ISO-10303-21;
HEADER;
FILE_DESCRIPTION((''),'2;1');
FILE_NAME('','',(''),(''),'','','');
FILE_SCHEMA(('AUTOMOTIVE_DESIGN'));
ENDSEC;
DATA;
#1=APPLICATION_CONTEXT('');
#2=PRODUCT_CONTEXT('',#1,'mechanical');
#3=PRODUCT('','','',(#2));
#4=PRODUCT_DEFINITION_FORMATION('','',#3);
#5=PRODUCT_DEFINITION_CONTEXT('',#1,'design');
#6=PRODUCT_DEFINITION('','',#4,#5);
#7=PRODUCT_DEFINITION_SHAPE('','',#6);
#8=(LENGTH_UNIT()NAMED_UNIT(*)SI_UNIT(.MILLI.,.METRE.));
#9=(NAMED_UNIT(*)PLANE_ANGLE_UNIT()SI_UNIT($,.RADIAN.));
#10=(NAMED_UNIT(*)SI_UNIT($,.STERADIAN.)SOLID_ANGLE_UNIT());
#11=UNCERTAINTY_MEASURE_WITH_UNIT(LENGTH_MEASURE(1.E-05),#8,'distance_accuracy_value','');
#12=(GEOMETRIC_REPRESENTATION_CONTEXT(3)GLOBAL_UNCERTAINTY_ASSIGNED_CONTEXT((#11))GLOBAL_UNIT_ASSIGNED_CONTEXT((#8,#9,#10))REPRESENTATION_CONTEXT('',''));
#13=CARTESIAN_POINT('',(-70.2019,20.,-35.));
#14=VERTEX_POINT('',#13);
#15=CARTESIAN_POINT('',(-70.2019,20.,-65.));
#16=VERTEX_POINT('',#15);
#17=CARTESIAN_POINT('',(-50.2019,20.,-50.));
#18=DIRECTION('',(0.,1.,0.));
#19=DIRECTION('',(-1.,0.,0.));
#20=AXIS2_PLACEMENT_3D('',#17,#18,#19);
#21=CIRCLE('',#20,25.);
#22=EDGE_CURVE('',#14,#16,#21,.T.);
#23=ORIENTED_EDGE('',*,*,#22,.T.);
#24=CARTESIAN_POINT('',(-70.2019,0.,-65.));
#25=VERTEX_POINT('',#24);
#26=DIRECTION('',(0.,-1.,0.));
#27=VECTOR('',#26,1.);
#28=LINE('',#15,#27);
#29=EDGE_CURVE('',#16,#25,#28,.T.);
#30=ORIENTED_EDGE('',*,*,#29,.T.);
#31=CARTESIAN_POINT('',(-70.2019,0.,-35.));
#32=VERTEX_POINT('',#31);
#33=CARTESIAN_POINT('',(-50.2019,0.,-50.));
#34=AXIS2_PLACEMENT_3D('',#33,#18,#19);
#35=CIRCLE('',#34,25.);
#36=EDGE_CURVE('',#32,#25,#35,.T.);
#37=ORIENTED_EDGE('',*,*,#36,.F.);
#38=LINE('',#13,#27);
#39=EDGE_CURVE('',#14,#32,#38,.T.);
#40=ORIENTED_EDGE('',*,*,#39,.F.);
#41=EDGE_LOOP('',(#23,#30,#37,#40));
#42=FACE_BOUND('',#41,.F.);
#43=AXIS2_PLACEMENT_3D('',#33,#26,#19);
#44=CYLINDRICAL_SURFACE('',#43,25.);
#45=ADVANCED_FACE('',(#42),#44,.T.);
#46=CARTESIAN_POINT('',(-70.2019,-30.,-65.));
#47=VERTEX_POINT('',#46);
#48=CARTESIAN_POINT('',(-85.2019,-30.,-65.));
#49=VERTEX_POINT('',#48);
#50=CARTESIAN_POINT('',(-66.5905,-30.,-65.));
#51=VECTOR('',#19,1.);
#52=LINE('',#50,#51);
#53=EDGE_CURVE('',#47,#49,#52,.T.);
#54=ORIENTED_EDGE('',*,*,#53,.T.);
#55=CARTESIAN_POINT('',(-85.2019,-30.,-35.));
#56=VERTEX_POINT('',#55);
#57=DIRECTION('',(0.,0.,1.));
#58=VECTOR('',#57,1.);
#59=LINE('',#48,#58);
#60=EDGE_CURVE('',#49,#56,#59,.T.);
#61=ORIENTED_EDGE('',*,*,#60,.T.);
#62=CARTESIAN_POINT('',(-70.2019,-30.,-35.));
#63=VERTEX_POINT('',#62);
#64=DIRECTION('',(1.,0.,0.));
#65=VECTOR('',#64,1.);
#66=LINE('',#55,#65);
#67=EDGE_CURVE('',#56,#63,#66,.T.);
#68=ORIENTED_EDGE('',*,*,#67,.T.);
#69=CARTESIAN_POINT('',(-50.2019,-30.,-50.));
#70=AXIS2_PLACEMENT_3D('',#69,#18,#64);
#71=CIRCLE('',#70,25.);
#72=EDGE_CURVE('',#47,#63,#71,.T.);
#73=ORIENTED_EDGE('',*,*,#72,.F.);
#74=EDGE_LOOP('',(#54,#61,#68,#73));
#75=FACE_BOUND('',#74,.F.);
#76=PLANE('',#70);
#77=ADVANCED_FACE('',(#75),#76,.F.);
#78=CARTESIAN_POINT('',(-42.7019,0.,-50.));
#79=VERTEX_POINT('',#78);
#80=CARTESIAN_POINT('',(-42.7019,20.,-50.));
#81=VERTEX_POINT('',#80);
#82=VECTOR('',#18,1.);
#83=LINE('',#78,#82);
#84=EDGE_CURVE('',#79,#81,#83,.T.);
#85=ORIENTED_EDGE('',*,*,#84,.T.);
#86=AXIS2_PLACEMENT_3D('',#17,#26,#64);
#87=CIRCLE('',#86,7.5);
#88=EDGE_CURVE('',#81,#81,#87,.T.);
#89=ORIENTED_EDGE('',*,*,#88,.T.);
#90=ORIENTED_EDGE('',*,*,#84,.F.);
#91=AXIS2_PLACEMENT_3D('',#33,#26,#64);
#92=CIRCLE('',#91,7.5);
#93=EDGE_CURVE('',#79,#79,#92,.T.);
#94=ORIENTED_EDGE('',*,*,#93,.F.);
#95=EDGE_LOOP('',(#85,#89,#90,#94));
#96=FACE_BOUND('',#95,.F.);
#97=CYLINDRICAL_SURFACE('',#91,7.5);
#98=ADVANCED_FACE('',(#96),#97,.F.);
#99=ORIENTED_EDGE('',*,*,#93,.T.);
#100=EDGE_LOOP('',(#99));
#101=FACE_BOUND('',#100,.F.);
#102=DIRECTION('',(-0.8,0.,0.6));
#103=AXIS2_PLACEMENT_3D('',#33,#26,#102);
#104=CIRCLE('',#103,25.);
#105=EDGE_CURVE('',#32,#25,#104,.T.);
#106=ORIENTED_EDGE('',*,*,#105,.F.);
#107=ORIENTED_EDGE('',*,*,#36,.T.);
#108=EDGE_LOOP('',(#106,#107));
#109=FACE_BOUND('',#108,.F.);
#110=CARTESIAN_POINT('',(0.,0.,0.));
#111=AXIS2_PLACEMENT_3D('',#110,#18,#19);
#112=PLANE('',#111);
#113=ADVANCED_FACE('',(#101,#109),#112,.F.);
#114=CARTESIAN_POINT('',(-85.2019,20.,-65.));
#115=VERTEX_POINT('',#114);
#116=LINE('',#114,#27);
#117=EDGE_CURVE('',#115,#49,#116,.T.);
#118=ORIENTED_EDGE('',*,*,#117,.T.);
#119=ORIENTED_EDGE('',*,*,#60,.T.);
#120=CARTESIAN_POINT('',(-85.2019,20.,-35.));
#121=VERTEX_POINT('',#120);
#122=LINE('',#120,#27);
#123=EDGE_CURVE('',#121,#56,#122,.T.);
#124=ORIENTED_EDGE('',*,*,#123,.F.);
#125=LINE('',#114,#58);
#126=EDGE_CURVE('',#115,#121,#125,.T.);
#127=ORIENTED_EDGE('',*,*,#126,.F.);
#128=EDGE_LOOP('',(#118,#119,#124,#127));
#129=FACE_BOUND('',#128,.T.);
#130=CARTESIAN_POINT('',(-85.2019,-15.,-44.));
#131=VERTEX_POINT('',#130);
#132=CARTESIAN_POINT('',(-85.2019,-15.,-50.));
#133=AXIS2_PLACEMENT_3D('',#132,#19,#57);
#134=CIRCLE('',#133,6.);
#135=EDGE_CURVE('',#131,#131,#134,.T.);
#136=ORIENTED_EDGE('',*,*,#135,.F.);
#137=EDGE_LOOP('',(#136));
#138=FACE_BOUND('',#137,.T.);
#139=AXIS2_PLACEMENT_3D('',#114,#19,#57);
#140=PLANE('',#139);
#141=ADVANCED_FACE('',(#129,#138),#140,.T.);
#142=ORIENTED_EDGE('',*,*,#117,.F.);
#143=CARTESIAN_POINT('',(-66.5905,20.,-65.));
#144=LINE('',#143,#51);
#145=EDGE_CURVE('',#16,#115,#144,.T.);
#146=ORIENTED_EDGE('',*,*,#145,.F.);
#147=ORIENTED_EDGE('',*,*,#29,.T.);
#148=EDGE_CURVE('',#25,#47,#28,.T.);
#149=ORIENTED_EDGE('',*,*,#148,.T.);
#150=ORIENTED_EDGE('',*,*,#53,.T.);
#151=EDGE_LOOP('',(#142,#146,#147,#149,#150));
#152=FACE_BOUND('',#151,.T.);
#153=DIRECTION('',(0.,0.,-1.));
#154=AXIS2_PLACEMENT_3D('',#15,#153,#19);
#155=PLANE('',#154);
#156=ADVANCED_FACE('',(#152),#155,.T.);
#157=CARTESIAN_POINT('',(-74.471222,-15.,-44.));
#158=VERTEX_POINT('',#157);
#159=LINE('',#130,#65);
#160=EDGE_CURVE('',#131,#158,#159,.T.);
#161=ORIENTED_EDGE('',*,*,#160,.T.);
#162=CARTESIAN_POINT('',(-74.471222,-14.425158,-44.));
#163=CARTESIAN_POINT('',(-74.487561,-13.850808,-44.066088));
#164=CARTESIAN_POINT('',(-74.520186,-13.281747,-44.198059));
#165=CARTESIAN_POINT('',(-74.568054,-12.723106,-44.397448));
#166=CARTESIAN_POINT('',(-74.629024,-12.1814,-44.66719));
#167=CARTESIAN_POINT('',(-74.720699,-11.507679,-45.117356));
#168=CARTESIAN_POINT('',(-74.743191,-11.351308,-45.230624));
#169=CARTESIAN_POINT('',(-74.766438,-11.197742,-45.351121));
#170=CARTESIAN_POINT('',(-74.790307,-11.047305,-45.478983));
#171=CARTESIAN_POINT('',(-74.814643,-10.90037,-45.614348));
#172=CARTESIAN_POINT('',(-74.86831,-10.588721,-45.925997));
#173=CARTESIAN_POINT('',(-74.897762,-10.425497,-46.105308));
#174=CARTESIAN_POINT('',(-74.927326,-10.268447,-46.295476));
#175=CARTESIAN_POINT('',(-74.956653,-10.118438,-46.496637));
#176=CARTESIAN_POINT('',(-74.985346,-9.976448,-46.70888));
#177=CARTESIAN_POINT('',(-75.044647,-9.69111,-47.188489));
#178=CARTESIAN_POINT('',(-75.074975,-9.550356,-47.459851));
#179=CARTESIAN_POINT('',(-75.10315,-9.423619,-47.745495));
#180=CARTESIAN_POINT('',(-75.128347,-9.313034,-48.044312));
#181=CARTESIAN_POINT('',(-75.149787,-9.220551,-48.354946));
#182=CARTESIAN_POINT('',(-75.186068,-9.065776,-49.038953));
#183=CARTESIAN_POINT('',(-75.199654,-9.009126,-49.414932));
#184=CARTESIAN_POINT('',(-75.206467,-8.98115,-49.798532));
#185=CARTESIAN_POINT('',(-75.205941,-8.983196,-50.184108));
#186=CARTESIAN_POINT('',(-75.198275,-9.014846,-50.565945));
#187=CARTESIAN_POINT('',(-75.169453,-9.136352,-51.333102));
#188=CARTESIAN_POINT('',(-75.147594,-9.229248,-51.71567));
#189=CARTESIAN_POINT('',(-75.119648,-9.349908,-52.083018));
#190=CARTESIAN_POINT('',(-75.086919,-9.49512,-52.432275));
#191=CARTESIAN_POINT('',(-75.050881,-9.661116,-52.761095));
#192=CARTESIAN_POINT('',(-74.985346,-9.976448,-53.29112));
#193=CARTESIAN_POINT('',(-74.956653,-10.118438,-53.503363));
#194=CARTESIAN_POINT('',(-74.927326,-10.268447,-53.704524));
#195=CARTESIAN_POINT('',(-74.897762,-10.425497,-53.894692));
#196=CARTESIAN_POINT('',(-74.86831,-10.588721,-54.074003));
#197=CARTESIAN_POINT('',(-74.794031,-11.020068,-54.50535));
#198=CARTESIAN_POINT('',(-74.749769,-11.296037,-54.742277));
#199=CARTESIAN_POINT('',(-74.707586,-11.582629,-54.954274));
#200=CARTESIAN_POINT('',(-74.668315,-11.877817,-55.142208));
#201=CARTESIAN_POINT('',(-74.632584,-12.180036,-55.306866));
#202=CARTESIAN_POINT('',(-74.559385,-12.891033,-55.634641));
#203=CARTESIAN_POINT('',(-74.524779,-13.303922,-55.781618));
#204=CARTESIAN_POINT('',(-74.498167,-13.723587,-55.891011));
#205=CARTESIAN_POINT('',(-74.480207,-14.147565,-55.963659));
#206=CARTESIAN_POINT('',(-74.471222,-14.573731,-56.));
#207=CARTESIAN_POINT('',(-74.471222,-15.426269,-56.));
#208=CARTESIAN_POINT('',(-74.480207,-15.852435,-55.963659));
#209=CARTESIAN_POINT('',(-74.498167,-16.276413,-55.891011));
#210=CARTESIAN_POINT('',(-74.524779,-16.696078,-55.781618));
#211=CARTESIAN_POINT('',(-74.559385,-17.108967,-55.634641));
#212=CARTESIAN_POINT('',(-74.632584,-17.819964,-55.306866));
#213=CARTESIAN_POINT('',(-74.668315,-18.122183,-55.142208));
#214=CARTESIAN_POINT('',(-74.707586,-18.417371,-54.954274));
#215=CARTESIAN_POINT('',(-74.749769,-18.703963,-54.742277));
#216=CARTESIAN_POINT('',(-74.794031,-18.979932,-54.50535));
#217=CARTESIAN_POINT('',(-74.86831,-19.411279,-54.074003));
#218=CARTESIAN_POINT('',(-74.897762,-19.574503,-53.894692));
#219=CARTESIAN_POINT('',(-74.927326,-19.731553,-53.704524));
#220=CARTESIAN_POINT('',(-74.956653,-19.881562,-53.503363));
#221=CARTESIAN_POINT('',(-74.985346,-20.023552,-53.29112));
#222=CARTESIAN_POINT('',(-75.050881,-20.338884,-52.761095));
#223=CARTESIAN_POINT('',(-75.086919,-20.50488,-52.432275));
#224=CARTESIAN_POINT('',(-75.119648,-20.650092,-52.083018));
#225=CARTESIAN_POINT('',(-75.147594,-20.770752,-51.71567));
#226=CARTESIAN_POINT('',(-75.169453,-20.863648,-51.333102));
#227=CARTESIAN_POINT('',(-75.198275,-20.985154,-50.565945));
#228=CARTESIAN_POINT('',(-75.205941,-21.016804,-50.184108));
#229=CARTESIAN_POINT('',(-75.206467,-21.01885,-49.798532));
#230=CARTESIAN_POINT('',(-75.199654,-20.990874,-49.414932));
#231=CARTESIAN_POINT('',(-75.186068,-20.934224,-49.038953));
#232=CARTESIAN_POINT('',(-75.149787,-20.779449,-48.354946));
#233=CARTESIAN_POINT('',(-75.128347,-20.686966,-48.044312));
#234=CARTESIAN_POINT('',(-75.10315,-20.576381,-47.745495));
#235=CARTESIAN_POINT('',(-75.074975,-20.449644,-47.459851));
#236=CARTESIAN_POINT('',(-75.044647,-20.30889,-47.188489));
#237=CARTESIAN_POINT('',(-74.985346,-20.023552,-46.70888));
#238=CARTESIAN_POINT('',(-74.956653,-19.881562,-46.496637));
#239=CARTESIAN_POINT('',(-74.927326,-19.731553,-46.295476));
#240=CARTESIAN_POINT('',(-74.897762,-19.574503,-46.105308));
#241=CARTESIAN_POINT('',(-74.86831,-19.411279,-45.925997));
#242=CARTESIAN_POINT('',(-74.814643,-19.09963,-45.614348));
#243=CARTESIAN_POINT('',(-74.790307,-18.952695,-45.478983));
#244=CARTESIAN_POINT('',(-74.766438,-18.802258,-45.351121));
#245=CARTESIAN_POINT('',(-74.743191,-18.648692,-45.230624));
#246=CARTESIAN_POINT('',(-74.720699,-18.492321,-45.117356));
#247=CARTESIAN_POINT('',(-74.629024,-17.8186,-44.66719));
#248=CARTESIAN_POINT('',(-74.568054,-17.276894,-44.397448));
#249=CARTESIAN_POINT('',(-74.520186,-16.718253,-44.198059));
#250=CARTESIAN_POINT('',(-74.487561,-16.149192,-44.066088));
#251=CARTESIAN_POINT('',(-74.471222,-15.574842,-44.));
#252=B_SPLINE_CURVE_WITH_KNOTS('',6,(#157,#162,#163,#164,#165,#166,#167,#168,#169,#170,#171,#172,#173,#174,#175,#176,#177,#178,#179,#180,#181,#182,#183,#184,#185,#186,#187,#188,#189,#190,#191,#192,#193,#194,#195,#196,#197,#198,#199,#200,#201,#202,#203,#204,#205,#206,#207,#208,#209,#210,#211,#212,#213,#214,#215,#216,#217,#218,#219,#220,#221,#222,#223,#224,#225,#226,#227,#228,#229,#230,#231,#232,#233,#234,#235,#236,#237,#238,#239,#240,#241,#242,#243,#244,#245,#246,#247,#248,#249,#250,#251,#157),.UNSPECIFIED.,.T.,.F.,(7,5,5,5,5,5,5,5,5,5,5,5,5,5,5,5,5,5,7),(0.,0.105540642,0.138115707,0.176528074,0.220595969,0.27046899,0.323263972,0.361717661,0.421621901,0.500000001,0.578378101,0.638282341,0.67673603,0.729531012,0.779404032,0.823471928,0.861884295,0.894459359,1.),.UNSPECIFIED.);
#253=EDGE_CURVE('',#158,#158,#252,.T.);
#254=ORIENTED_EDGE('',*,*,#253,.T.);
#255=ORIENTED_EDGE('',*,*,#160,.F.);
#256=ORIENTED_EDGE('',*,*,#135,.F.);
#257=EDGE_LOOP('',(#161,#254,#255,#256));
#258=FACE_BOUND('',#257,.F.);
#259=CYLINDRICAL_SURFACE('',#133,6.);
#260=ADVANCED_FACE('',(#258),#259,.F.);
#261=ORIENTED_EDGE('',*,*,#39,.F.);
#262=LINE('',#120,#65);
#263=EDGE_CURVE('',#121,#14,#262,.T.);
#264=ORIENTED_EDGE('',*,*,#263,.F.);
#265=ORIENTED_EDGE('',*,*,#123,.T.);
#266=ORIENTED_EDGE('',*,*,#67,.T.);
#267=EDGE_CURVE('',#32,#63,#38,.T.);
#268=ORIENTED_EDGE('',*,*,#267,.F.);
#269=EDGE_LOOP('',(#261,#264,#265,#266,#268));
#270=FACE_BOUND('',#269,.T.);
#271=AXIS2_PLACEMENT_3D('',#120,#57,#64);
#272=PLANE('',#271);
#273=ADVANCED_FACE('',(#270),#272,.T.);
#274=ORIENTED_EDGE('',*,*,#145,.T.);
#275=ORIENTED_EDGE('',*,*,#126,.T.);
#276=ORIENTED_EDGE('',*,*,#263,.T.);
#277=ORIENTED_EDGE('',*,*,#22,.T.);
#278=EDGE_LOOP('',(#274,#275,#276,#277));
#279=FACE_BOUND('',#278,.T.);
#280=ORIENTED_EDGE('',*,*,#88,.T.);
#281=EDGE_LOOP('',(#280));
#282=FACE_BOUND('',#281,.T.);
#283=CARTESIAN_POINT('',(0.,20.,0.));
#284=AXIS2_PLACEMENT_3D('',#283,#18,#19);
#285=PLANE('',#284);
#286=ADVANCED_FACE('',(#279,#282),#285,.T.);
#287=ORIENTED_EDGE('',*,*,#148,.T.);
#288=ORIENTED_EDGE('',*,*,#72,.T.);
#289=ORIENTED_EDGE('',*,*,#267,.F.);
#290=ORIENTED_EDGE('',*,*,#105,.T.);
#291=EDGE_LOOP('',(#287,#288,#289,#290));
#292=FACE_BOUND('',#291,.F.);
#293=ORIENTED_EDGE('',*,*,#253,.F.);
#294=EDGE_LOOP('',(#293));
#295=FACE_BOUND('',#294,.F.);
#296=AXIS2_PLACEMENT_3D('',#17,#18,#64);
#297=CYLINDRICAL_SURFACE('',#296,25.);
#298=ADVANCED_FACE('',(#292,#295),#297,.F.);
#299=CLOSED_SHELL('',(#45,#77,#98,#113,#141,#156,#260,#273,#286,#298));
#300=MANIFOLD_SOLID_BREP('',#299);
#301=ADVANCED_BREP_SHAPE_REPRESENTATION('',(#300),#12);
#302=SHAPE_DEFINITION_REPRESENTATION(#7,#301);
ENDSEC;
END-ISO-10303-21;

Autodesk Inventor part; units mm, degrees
ref_plane "YZ Plane" through (0, 0, 0) normal (1, 0, 0) x (0, 1, 0)
ref_plane "XZ Plane" through (0, 0, 0) normal (0, 1, 0) x (-1, 0, 0)
ref_plane "XY Plane" through (0, 0, 0) normal (0, 0, 1) x (1, 0, 0)
sketch "Sketch1" plane through (0, 0, 0) normal (0, 1, 0) x (-1, 0, 0)
  circle A0 centre (50.2019, -50) radius 25
  point P0 (0, 0)
  dimension "d0" = 50
  dimension "d1" = 50
extrude "Extrusion1" add sketch "Sketch1" along normal blind 20
sketch "Sketch2" plane through (-50.2019, 20, -50) normal (0, 1, 0) x (1, 0, 0)
  line L0 (-35, -15) -> (-16.3886, -15)
  line L1 (-16.3886, -15) -> (-16.3886, 15)
  line L2 (-16.3886, 15) -> (-35, 15)
  line L3 (-35, 15) -> (-35, -15)
  circle A0 centre (0, 0) radius 25 projected
  circle A1 centre (0, 0) radius 25 projected
  point P0 (50.2019, -50)
  point P1 (0, 25)
  point P2 (0, -25)
  point P3 (-20, -15)
  point P4 (-20, 15)
  dimension "d4" = 15
  dimension "d5" = 15
  dimension "d6" = 35
  dimension "d7" = 50
extrude "Extrusion2" add sketch "Sketch2" against normal blind 50 contours L3 L2 A0 L0
sketch "Sketch3" plane through (0, 0, 0) normal (0, -1, 0) x (1, 0, 0)
  arc A0 (-70.2019, -65) -> (-70.2019, -35) centre (-50.2019, -50) ccw projected
  arc A1 (-70.2019, -35) -> (-70.2019, -65) centre (-50.2019, -50) ccw projected
  circle A2 centre (-50.2019, -50) radius 7.5
  point P0 (0, 0)
  point P1 (-50.2019, -75)
  point P2 (-50.2019, -25)
  point P3 (-75.2019, -50)
  point P4 (-25.01, -50)
  dimension "d10" = 15
  dimension "d11" = 25
extrude "Extrusion3" cut sketch "Sketch3" against normal blind 30 contours A2
sketch "Sketch4" plane through (-85.2019, 20, -65) normal (-1, 0, 0) x (0, 0, 1)
  line L0 (0, -20) -> (0, -50) projected
  line L1 (30, -20) -> (30, -50) projected
  line L2 (30, -50) -> (0, -50) projected
  line L3 (40, -20) -> (-10, -20) projected
  circle A0 centre (15, -35) radius 6
  point P0 (65, -20)
  point P1 (0, -35)
  point P2 (30, -35)
  point P3 (15, -50)
  point P4 (15, -20)
  point P5 (15, -20)
  dimension "d14" = 30
  dimension "d15" = 15
  dimension "d16" = 15
  dimension "d17" = 12
extrude "Extrusion4" cut sketch "Sketch4" against normal blind 30 contours A0
equation "\"d10\" = 0.6 * d11"
equation "\"d15\" = 0.5 * d14"
equation "\"d16\" = 0.5 * d14"
equation "\"d17\" = 0.4 * d14"
properties part number "KeelHook"
